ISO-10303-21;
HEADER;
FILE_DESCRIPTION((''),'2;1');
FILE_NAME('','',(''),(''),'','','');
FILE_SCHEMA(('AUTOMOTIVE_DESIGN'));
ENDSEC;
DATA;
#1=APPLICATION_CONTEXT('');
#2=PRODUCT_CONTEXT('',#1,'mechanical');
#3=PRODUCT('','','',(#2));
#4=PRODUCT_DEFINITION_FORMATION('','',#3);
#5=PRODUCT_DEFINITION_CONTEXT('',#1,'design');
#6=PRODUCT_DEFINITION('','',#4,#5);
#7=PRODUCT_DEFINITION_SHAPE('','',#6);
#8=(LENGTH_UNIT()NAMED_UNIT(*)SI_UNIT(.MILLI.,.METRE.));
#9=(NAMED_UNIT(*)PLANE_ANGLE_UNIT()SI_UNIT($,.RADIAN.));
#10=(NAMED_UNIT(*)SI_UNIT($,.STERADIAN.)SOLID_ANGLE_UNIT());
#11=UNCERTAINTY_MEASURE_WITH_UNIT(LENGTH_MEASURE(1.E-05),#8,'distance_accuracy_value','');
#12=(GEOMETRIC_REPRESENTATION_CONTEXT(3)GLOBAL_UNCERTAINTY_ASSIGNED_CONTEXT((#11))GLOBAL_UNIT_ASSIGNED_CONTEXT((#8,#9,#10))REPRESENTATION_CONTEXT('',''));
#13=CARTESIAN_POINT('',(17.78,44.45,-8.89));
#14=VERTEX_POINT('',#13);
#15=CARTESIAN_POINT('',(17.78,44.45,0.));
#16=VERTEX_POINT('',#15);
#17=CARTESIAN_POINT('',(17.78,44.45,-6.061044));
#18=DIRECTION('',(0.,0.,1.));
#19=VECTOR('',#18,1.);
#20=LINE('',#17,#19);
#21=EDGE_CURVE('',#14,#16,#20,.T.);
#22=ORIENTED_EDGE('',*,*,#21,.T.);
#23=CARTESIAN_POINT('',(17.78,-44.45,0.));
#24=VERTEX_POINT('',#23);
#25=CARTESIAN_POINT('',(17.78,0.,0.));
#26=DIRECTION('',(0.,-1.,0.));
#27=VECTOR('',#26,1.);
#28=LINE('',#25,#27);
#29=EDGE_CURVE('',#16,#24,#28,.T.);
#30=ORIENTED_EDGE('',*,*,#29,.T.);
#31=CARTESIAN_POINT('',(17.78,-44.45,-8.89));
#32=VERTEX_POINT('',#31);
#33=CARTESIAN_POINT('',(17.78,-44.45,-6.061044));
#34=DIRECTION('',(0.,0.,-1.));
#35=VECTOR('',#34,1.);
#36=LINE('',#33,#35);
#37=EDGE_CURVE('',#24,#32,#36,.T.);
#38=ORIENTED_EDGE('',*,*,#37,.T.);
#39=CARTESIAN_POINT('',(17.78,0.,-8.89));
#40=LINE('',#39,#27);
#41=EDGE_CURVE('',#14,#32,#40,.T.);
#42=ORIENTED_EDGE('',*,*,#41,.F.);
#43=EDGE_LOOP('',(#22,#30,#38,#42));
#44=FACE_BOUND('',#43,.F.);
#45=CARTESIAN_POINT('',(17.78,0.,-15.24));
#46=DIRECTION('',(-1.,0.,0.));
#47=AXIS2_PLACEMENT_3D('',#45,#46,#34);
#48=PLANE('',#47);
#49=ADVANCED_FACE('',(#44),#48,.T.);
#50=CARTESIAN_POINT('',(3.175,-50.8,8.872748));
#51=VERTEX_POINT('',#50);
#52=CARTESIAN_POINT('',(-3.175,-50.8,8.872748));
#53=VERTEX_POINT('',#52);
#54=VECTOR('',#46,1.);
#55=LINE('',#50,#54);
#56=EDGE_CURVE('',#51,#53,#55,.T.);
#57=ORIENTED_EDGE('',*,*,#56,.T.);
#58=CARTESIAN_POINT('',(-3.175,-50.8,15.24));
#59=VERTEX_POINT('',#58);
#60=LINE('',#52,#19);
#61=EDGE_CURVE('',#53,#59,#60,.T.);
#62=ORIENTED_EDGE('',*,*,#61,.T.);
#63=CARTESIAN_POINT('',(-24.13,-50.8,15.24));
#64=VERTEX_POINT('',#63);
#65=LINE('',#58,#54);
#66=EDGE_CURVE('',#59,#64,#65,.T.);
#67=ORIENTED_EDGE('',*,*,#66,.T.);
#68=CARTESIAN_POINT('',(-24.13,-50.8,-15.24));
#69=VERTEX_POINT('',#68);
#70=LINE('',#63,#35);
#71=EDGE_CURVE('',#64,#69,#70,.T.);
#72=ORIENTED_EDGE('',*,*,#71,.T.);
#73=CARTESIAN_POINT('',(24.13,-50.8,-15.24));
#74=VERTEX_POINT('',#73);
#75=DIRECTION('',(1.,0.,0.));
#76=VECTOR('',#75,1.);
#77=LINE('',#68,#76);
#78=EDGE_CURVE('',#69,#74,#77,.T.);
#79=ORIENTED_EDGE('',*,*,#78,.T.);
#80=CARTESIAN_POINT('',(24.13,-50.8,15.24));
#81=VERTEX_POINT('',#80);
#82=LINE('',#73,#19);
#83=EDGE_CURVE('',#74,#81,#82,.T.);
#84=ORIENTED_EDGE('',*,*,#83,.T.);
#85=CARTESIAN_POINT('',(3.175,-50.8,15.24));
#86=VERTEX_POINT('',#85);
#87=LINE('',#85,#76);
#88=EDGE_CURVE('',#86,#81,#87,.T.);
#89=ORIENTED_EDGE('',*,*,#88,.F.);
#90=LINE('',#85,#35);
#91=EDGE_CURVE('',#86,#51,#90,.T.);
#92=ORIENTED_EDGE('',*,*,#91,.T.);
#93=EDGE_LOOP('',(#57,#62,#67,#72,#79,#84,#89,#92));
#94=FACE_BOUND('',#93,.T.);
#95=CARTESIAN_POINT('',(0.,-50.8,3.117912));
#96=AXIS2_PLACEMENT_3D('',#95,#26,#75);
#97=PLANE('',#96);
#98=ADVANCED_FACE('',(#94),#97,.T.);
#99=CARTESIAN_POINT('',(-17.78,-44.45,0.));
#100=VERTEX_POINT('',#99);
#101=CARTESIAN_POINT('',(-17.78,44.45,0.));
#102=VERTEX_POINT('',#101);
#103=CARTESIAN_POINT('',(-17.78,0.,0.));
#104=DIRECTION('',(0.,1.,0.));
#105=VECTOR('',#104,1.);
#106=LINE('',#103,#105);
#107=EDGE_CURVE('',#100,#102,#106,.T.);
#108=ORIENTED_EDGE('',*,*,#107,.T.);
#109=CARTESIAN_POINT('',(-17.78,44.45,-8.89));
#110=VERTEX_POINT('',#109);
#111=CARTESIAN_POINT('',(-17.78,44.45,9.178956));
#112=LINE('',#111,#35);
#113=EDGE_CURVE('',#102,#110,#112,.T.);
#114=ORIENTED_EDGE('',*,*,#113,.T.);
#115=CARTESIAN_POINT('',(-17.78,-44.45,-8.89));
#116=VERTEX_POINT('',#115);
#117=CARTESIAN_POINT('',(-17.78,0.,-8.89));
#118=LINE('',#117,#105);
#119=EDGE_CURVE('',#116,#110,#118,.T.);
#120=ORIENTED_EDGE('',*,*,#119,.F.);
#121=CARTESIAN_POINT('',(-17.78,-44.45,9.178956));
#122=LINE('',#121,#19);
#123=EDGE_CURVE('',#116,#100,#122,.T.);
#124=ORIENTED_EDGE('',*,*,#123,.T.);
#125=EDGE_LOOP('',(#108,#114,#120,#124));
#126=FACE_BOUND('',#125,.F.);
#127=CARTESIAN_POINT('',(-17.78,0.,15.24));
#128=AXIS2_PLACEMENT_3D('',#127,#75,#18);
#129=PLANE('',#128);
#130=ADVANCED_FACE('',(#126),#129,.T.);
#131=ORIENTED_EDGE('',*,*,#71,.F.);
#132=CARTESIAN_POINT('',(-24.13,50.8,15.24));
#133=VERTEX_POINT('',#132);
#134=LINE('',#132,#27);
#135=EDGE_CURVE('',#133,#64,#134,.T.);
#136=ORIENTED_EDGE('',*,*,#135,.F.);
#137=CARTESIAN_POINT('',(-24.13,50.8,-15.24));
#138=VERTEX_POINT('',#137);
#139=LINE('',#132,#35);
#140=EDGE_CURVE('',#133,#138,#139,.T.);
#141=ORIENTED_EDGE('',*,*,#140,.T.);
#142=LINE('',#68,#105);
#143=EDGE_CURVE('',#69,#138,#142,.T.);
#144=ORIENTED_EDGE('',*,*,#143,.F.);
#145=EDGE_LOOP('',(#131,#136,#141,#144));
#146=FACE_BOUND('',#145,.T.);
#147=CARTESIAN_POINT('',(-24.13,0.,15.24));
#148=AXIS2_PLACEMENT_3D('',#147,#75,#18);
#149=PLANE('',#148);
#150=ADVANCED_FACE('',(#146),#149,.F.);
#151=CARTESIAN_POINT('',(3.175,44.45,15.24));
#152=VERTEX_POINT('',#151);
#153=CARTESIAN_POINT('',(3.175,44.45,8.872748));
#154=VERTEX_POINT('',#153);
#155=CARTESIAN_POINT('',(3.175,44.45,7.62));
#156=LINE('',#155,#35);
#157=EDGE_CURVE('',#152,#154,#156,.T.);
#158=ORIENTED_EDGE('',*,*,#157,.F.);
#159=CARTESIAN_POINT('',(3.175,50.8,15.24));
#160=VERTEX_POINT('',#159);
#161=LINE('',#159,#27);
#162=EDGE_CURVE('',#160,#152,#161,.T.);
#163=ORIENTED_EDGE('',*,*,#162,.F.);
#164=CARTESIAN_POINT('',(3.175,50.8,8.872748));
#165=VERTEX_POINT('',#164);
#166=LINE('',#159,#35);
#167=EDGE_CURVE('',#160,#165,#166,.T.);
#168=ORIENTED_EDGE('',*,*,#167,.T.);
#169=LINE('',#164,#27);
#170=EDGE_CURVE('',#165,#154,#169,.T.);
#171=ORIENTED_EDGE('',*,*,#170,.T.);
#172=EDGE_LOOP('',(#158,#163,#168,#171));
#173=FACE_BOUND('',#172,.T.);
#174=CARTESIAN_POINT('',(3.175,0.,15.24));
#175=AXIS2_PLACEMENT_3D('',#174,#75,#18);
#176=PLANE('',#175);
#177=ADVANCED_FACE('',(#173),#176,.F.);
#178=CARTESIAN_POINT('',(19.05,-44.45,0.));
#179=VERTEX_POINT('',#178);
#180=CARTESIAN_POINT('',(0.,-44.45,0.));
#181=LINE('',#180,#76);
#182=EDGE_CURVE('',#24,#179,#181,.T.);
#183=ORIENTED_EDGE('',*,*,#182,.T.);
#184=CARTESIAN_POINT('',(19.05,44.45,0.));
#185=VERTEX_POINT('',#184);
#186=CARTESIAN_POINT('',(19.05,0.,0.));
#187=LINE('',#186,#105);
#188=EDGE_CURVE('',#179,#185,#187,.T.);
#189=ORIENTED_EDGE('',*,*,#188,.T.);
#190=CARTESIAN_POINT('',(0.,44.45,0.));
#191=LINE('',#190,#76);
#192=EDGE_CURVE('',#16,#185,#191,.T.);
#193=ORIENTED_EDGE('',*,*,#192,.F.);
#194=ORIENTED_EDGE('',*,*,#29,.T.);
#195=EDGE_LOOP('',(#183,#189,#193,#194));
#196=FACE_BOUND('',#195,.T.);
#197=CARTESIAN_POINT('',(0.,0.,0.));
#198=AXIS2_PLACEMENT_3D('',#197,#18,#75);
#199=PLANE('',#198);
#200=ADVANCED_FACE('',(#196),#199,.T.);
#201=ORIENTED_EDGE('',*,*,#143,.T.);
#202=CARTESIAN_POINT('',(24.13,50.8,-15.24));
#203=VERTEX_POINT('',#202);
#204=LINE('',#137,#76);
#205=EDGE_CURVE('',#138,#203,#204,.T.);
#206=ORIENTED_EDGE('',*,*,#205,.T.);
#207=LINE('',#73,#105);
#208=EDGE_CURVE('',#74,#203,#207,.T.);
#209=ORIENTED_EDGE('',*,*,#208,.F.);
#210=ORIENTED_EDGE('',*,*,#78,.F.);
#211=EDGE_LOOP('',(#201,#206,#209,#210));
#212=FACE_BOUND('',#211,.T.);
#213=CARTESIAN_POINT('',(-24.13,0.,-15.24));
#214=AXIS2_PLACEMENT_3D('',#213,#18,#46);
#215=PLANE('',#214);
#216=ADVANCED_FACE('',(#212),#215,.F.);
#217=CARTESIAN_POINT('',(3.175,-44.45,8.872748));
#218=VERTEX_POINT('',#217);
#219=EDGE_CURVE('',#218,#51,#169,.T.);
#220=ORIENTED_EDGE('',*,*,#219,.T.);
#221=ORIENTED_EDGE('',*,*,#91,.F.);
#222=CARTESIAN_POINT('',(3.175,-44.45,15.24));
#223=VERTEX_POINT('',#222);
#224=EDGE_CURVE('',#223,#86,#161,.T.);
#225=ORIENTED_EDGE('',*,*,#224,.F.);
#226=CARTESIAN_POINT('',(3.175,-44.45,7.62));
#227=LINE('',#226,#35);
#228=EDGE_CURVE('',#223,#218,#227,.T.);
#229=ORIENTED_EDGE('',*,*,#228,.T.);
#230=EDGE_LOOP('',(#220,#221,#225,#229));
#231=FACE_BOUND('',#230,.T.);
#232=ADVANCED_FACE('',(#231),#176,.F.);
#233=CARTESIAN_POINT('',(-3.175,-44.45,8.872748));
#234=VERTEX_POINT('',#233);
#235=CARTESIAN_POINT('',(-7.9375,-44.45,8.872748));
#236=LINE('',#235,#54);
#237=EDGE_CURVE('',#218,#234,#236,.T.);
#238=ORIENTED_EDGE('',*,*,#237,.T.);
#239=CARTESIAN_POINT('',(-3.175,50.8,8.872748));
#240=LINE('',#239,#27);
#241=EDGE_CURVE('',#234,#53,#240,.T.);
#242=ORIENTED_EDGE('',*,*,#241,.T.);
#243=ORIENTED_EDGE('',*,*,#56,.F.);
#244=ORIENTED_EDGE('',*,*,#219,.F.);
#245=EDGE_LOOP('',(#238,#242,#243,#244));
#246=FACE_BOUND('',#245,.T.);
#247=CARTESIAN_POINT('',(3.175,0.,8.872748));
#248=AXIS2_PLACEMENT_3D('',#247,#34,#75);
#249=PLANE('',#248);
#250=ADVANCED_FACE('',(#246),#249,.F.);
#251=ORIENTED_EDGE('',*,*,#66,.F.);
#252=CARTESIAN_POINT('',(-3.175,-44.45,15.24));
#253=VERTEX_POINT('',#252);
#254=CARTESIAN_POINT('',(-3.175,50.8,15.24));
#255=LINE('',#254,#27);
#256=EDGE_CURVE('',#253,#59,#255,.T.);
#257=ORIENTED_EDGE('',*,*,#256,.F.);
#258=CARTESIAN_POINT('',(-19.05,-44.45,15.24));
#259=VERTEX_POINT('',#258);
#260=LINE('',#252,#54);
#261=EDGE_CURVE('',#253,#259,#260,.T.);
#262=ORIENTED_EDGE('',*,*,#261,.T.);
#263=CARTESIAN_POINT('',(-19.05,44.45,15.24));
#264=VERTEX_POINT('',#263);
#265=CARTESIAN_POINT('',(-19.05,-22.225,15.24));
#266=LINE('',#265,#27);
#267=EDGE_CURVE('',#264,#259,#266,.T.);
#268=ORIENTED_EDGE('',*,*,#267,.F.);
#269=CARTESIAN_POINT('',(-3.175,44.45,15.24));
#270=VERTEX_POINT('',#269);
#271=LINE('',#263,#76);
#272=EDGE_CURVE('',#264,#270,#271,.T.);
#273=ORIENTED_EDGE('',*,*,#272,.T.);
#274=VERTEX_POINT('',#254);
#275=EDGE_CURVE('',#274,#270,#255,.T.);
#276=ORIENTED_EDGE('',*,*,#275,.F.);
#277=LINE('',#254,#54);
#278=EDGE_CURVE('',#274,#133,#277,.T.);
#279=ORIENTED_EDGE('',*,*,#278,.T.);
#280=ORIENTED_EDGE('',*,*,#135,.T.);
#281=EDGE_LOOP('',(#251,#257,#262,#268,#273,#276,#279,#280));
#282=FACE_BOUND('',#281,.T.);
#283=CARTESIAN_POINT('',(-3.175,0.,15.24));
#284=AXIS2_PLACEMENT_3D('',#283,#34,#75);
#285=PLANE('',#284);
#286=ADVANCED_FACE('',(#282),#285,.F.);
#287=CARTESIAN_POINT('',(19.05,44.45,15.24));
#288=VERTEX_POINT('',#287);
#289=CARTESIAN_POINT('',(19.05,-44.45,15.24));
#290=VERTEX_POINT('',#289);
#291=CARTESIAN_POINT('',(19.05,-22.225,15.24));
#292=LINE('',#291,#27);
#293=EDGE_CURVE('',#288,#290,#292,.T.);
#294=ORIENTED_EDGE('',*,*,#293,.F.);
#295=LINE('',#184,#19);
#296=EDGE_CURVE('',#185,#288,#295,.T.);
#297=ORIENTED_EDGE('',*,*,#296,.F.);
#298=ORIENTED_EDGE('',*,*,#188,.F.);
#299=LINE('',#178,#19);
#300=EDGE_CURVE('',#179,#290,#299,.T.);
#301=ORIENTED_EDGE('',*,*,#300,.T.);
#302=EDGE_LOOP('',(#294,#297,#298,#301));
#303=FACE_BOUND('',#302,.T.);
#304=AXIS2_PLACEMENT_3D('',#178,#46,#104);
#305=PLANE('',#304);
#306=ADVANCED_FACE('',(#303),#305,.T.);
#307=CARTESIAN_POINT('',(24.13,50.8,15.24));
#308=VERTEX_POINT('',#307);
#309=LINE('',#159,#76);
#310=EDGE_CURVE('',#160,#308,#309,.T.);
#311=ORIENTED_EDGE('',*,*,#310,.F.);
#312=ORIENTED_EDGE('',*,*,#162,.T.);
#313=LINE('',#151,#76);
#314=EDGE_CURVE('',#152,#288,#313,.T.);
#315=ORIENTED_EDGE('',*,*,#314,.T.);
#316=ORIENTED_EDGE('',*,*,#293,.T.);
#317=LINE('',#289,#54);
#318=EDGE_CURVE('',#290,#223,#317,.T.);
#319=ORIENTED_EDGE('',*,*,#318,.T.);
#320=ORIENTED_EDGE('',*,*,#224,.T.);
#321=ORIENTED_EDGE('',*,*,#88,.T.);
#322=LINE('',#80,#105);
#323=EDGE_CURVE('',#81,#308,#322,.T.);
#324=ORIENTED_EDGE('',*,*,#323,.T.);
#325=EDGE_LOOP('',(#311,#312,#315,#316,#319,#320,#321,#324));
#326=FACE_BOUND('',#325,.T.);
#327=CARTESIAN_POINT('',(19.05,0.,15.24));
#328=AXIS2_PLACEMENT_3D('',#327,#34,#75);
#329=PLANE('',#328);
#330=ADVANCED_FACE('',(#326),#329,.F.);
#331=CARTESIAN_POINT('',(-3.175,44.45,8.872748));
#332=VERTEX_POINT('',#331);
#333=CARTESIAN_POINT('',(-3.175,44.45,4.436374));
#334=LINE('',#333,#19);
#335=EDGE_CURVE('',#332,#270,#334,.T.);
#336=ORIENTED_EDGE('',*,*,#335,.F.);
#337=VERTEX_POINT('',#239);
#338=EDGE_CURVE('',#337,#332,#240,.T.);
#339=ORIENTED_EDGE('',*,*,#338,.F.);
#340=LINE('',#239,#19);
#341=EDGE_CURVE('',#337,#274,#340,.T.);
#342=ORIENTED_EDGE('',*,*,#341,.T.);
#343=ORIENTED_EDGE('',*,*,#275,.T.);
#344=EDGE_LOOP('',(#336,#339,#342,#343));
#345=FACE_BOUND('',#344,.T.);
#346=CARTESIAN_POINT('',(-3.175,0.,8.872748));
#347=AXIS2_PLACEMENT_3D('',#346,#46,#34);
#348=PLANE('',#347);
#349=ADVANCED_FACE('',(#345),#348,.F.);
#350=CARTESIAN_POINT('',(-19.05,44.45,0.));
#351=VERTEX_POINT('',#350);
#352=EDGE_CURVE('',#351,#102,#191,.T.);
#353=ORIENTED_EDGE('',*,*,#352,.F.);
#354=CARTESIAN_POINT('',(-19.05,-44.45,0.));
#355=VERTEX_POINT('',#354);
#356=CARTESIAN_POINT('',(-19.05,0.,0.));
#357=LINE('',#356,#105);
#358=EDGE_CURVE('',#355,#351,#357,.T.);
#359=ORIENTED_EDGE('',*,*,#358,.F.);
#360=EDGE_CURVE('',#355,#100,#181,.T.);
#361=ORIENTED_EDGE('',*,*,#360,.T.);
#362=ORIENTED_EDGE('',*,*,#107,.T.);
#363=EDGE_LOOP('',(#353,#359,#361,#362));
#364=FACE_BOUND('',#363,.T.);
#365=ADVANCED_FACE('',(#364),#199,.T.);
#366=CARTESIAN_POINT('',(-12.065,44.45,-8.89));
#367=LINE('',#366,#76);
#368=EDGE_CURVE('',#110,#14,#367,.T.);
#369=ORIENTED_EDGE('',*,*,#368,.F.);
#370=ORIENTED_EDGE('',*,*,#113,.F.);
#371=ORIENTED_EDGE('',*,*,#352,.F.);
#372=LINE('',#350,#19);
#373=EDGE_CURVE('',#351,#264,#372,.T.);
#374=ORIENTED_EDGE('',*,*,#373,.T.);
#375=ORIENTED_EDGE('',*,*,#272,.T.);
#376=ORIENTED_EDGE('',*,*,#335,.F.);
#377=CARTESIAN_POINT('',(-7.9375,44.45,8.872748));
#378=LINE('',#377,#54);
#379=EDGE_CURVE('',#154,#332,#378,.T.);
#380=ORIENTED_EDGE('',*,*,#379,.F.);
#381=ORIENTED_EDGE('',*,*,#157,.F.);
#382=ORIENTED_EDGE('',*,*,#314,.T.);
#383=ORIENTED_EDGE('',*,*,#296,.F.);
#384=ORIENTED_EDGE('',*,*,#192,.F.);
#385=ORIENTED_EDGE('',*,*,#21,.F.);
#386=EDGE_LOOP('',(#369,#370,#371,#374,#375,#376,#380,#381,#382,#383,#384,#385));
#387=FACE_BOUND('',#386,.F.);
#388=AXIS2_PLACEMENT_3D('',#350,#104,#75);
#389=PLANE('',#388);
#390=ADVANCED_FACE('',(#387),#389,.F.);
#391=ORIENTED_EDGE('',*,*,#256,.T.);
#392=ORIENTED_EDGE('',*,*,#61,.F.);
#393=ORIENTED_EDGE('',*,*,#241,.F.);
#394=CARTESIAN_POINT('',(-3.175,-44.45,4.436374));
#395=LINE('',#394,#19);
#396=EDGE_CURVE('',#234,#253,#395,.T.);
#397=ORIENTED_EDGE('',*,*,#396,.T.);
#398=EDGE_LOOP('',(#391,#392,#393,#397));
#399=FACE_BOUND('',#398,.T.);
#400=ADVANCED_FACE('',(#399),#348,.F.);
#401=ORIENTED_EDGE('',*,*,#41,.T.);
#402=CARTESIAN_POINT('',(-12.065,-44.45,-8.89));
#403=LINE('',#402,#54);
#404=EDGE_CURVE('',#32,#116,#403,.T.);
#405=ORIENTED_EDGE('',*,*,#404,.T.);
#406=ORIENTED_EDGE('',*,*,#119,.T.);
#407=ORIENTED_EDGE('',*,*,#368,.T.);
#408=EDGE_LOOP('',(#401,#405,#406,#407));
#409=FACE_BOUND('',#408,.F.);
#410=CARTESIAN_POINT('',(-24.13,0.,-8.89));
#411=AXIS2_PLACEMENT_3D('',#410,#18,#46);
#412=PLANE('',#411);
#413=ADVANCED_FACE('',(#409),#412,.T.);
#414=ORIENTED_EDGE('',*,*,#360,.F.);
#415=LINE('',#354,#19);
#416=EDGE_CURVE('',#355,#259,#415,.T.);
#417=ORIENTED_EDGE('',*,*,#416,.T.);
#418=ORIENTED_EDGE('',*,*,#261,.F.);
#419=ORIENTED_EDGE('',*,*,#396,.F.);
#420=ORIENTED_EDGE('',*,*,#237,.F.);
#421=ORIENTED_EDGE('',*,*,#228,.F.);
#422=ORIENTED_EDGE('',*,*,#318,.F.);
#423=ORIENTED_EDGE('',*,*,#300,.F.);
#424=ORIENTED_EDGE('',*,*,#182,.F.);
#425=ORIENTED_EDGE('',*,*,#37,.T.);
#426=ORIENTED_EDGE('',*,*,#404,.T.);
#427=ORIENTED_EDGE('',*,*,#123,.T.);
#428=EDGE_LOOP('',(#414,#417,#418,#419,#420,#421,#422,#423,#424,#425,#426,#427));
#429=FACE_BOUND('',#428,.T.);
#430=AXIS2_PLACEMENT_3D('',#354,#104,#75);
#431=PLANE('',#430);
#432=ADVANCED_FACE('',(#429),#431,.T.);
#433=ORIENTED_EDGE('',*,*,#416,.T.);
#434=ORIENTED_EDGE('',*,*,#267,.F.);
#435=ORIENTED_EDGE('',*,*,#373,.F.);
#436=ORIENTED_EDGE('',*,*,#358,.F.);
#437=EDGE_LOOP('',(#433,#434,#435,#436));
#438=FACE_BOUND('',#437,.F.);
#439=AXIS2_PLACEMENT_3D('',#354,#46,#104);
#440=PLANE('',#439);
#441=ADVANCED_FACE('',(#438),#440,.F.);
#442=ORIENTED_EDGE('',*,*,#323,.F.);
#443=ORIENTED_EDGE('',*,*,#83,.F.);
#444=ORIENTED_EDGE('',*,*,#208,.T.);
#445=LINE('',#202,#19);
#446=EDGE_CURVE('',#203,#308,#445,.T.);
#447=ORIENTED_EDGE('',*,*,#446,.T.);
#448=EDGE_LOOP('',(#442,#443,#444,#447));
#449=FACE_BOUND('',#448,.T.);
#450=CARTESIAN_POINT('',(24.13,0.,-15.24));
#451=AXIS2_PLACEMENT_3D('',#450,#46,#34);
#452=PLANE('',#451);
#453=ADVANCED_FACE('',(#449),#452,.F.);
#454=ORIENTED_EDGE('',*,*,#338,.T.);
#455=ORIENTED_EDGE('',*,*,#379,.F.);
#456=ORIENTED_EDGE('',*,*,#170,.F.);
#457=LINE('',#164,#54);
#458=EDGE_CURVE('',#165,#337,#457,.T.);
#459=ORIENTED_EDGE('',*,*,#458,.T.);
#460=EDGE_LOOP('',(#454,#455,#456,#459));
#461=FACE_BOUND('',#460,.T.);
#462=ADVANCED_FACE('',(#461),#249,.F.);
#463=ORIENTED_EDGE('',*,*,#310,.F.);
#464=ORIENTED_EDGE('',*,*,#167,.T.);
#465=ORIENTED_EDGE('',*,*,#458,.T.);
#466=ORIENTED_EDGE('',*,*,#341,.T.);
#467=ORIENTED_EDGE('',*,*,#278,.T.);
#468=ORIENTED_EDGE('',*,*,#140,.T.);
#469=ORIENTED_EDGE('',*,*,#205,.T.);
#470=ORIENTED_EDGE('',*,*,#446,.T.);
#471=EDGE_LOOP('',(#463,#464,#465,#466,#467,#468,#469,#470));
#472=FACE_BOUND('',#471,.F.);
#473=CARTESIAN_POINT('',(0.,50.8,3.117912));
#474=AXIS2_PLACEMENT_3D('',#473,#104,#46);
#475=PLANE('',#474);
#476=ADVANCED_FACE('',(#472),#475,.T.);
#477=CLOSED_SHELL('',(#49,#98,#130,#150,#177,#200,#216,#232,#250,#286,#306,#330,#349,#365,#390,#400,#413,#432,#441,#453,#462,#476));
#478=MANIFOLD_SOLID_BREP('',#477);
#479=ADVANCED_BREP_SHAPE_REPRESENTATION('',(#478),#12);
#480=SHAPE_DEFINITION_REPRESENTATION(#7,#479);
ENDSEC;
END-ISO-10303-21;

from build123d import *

# Parameters (mm, degrees)
F1_DEPTH = 50.8
F2_DEPTH = 50.8
F5_T     = -6.35
F4_W     = 38.1
F4_H     = 88.9
F6_DEPTH = 31.75


with BuildPart() as f1:
    # F0 (on Front) → F1 (new body)
    with BuildSketch(Plane.XZ):
        Polygon((24.13, -15.24), (24.13, 15.24), (19.05, 15.24), (19.05, -10.16), (-19.05, -10.16), (-19.05, 15.24), (-24.13, 15.24), (-24.13, -15.24), align=None)
    extrude(amount=F1_DEPTH)

    # F0 (on Front) → F2 (join)
    with BuildSketch(Plane.XZ):
        Polygon((19.05, -10.16), (19.05, 15.24), (3.175, 15.24), (3.175, 8.8727482983), (-3.175, 8.8727482983), (-3.175, 15.24), (-19.05, 15.24), (-19.05, -10.16), align=None)
    extrude(amount=F2_DEPTH)

    # F3: F1 across plane


with BuildPart() as f1_1:
    add(f1.part)
    add(f1.part.mirror(Plane.XZ))

    # F5
    f5_openings = [f1_1.faces().sort_by_distance(p)[0] for p in [
        (13.6525, 0, 15.24),
        (-13.6525, 0, 15.24),
    ]]
    offset(amount=F5_T, openings=f5_openings, kind=Kind.INTERSECTION)

    # F4 (on Top) → F6 (cut)
    with BuildSketch(Plane.XY):
        Rectangle(F4_W, F4_H)
    extrude(amount=F6_DEPTH, mode=Mode.SUBTRACT)


solid = f1_1.part
